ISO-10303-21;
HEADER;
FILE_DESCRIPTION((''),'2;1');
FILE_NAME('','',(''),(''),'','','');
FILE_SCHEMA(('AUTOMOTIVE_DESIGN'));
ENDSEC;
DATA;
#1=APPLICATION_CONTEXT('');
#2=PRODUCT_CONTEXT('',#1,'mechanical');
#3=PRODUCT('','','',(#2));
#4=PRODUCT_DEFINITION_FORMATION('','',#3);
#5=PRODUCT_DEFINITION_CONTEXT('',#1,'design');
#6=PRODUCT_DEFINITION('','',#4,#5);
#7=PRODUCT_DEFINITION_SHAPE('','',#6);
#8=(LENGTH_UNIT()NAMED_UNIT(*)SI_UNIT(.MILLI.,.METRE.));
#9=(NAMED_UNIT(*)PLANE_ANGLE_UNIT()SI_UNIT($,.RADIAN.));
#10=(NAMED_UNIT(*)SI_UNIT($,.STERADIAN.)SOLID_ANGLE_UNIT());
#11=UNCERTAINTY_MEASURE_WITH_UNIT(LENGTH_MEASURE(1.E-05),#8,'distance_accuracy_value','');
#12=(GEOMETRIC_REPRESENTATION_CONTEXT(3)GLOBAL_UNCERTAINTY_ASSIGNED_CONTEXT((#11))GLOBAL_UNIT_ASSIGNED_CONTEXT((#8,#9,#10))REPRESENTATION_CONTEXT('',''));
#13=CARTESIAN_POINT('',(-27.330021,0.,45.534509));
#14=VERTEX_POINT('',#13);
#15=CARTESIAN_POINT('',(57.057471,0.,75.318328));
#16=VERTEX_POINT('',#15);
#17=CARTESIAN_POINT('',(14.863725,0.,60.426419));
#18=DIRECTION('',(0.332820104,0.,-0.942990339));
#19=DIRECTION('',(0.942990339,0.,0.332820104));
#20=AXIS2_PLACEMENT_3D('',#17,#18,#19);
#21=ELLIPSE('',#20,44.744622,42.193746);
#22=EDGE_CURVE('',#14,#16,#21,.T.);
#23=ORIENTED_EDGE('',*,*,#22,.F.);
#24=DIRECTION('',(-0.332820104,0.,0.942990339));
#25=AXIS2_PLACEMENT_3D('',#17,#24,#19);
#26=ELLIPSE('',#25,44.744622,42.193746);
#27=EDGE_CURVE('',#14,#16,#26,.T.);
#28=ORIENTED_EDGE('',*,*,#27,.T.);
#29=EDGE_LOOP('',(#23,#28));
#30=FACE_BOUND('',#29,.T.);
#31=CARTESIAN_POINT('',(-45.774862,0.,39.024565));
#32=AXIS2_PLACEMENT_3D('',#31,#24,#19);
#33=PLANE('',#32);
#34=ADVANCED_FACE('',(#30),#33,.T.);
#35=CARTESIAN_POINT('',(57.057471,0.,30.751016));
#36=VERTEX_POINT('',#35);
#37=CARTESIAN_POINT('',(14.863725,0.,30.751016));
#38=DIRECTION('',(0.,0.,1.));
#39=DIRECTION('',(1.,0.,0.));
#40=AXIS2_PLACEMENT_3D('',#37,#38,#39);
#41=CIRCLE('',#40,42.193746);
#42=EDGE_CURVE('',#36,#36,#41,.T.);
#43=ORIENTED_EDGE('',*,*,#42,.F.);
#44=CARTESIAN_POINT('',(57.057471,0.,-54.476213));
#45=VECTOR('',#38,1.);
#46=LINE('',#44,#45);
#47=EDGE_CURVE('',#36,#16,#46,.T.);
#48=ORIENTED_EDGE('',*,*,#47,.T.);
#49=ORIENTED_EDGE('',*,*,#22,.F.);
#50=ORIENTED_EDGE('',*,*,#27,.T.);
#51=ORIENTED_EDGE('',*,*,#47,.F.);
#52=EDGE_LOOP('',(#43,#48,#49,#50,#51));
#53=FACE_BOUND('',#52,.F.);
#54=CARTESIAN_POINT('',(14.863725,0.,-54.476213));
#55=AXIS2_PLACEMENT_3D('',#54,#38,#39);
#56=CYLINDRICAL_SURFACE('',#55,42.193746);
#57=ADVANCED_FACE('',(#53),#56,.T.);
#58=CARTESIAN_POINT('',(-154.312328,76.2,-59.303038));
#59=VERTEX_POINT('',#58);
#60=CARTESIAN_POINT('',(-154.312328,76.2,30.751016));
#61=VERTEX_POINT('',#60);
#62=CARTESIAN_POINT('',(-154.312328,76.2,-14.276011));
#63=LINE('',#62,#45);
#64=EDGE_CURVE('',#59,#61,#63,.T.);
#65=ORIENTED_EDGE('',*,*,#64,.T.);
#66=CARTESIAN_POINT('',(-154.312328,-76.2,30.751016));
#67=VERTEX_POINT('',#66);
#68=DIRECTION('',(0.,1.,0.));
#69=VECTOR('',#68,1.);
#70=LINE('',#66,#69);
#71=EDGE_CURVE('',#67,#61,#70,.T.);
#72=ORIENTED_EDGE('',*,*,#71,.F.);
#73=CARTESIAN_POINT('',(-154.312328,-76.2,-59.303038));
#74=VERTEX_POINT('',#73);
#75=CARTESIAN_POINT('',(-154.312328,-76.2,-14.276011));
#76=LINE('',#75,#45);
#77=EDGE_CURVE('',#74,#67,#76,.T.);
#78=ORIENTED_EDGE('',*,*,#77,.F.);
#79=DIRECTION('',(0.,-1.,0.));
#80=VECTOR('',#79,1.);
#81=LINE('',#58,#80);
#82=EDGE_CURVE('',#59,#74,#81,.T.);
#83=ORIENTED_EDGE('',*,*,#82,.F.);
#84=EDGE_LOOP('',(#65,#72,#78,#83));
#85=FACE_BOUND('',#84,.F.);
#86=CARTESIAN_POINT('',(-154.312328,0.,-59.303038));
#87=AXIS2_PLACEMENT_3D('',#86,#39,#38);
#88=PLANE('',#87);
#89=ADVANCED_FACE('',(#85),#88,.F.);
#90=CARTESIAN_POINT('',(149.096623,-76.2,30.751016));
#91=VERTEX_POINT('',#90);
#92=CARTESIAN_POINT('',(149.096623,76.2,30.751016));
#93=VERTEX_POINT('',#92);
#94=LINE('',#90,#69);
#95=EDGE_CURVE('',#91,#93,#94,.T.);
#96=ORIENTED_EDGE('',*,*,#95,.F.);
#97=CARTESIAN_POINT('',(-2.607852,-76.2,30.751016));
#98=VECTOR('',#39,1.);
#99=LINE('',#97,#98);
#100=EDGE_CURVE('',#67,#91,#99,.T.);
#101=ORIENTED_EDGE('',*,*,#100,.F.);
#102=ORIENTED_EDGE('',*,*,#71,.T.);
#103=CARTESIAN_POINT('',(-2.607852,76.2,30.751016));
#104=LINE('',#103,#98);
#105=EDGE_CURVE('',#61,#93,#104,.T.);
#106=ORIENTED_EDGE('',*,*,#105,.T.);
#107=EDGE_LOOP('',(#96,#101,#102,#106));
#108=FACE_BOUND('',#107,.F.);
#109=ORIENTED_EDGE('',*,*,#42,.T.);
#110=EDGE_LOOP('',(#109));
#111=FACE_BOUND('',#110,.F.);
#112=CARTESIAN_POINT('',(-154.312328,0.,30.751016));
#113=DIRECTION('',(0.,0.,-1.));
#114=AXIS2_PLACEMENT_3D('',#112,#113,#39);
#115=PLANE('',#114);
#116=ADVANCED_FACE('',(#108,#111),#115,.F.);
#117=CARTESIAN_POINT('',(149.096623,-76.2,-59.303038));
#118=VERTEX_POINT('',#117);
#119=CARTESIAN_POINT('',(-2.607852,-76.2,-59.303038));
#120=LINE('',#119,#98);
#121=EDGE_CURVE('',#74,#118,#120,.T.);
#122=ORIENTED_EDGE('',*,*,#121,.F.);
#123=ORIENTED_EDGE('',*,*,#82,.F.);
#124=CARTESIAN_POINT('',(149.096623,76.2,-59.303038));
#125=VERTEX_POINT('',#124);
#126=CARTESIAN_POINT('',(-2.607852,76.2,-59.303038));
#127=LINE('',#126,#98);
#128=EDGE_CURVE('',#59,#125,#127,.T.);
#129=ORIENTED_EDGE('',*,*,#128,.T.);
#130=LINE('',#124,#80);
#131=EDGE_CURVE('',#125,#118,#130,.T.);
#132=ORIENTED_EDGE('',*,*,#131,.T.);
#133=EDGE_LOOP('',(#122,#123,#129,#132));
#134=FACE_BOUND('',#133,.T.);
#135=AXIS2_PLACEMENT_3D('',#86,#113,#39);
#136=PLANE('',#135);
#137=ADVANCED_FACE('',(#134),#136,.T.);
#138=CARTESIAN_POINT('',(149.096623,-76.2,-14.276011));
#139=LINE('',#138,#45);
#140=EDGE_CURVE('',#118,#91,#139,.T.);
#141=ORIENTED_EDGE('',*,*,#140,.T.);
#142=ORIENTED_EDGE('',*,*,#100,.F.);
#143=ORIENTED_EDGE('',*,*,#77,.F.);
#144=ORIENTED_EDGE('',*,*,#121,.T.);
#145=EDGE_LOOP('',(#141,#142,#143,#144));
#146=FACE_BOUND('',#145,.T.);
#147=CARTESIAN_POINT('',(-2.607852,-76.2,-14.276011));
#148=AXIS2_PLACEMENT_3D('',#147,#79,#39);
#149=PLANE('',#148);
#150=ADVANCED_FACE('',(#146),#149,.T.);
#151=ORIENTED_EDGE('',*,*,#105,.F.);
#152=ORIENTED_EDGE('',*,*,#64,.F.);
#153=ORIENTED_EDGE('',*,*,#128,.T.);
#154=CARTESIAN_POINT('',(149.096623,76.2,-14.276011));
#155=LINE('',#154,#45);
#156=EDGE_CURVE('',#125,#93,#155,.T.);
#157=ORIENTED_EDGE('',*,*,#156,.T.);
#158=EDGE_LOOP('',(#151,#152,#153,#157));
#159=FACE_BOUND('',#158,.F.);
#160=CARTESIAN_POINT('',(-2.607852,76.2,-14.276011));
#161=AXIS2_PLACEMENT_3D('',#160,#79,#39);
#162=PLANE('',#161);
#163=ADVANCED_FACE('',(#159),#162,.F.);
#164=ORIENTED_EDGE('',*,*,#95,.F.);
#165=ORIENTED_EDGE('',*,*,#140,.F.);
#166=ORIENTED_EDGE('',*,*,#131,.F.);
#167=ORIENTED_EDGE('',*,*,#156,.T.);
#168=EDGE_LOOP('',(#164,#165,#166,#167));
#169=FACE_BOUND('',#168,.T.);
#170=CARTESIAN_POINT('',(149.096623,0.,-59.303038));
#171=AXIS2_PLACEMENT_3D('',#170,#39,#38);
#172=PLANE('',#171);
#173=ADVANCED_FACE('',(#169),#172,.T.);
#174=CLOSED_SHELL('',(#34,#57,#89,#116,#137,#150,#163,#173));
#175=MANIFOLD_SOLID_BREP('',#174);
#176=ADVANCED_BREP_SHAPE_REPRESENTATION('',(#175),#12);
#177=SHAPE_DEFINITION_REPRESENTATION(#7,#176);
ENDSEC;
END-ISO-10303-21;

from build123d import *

# Parameters (mm, degrees)
F0_W          = 303.4089505672
F0_H          = 90.0540538132
F2_DEPTH      = 76.2
F2_DEPTH_BACK = 76.2
F5_DEPTH      = 50.8
F5_DEPTH_BACK = 50.8


with BuildPart() as f2:
    # F0 (on Front) → F2 (new body, two sides)
    with BuildSketch(Plane.XZ) as f2_sk:
        with Locations((-2.6078522205, -14.2760109156)):
            Rectangle(F0_W, F0_H)
    extrude(amount=F2_DEPTH)
    extrude(f2_sk.sketch, amount=-F2_DEPTH_BACK)

    # F1 (on Front) → F3 (revolve)
    with BuildSketch(Plane.XZ):
        Polygon((57.057470793, -54.4762127101), (57.057470793, 76.3475820422), (14.8637248203, 62.2137170317), (14.8637248203, -54.4762127101), align=None)
        Polygon((57.057470793, 76.3475820422), (14.8637248203, 76.3475820422), (14.8637248203, 62.2137170317), align=None)
    revolve(axis=Axis((14.8637248203, 0, 10.935684666), (0, 0, -1)))

    # F4 (on Front) → F5 (cut, two sides)
    with BuildSketch(Plane.XZ) as f5_sk:
        Polygon((-45.7748621702, 39.0245653689), (70.5238878727, 80.0711810589), (-45.7748621702, 80.3245604038), align=None)
    extrude(amount=-F5_DEPTH, mode=Mode.SUBTRACT)
    extrude(f5_sk.sketch, amount=F5_DEPTH_BACK, mode=Mode.SUBTRACT)


solid = f2.part
